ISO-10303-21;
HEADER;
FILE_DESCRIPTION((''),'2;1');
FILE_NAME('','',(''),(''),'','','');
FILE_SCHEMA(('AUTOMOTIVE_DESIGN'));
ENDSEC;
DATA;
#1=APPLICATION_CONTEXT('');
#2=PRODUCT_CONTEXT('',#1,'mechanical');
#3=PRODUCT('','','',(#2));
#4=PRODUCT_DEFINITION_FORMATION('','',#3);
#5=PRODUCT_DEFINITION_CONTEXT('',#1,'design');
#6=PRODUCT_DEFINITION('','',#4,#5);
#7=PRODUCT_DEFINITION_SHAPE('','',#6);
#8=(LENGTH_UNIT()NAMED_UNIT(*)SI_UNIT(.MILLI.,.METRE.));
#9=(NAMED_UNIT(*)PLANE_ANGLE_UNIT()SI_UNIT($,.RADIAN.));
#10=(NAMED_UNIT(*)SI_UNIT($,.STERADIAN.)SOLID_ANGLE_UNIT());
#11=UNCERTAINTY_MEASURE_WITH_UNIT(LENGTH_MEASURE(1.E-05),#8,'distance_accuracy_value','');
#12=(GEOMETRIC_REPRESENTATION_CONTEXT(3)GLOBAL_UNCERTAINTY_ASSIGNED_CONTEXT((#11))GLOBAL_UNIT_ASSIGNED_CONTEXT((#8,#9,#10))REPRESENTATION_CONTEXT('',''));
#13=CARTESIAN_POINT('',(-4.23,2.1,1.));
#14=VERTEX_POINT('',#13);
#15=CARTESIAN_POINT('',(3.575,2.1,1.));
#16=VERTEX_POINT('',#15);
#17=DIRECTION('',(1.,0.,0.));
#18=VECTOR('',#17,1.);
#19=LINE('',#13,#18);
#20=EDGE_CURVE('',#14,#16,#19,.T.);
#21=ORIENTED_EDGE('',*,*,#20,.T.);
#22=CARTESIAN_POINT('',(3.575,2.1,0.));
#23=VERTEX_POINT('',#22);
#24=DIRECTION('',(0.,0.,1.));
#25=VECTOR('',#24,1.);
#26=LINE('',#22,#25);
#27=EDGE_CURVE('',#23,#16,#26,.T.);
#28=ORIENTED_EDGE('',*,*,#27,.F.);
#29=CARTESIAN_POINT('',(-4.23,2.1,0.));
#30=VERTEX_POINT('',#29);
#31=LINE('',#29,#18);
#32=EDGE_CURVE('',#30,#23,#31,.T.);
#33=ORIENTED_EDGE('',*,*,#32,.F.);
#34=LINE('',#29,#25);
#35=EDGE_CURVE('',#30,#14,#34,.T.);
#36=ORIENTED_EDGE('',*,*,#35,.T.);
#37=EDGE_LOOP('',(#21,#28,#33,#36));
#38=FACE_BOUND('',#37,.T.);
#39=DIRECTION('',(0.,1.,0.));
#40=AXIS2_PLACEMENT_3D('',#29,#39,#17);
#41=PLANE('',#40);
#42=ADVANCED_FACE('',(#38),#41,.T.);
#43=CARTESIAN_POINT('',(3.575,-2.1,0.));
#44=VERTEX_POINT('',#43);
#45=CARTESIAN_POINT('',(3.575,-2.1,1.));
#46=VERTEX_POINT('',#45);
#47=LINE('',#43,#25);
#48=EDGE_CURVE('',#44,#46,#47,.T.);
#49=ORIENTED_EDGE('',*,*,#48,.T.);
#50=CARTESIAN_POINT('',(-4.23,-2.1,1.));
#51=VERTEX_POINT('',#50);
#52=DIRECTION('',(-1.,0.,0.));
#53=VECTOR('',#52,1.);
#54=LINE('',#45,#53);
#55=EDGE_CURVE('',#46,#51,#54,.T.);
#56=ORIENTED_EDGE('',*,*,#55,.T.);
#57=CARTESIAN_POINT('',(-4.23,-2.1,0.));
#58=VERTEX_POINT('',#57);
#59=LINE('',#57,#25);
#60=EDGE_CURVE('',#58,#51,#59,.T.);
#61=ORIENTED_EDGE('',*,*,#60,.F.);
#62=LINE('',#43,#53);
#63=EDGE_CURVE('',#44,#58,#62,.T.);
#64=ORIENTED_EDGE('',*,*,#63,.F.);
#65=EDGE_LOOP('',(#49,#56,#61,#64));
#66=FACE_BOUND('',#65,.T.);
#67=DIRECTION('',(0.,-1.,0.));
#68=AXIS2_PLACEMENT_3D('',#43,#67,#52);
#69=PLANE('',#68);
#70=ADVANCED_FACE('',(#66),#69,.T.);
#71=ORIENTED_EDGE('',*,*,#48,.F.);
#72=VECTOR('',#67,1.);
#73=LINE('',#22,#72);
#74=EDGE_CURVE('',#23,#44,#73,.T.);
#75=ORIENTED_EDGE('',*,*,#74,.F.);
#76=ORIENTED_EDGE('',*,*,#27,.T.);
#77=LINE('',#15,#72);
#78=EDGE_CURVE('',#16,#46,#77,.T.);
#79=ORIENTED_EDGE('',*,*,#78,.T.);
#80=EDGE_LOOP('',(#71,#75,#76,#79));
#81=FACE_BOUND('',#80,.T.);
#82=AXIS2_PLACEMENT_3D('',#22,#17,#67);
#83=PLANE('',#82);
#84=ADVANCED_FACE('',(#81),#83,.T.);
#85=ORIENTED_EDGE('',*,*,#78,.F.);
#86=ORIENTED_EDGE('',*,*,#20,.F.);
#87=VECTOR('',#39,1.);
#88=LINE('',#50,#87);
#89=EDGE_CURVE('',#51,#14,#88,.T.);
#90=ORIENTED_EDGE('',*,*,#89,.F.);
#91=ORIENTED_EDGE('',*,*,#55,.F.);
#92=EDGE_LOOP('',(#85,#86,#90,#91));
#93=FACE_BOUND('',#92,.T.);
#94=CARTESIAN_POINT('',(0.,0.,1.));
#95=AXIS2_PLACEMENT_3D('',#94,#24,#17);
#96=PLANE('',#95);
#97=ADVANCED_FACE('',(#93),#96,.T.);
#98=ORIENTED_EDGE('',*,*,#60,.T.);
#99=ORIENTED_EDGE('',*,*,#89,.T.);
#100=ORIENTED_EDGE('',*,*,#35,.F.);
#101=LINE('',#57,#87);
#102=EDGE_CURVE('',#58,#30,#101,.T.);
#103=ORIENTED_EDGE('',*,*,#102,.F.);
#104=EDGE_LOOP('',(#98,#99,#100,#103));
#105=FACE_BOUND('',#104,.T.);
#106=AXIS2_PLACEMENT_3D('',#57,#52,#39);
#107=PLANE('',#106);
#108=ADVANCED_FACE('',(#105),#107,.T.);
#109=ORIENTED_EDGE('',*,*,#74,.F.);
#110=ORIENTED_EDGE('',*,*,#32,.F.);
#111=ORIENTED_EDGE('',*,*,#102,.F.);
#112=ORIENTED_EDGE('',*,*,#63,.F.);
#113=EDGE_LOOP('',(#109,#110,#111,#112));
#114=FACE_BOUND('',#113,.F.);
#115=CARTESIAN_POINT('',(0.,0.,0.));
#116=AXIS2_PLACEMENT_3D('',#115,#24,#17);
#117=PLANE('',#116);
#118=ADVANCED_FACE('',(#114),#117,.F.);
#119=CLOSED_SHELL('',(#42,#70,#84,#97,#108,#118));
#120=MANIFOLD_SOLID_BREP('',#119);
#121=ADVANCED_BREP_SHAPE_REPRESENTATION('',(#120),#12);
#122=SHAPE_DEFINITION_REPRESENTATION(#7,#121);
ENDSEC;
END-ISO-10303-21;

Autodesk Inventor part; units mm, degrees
ref_plane "YZ Plane" through (0, 0, 0) normal (1, 0, 0) x (0, 1, 0)
ref_plane "XZ Plane" through (0, 0, 0) normal (0, 1, 0) x (-1, 0, 0)
ref_plane "XY Plane" through (0, 0, 0) normal (0, 0, 1) x (1, 0, 0)
sketch "TSSOP8, ICS844071_204" plane through (0, 0, 0) normal (0, 0, 1) x (1, 0, 0)
  line L0 (-4.23, -2.1) -> (-4.23, 2.1)
  line L1 (-4.23, 2.1) -> (3.575, 2.1)
  line L2 (3.575, 2.1) -> (3.575, -2.1)
  line L3 (3.575, -2.1) -> (-4.23, -2.1)
extrude "Extrusion1" add sketch "TSSOP8, ICS844071_204" along normal blind 1
properties part number "ICS844071"
